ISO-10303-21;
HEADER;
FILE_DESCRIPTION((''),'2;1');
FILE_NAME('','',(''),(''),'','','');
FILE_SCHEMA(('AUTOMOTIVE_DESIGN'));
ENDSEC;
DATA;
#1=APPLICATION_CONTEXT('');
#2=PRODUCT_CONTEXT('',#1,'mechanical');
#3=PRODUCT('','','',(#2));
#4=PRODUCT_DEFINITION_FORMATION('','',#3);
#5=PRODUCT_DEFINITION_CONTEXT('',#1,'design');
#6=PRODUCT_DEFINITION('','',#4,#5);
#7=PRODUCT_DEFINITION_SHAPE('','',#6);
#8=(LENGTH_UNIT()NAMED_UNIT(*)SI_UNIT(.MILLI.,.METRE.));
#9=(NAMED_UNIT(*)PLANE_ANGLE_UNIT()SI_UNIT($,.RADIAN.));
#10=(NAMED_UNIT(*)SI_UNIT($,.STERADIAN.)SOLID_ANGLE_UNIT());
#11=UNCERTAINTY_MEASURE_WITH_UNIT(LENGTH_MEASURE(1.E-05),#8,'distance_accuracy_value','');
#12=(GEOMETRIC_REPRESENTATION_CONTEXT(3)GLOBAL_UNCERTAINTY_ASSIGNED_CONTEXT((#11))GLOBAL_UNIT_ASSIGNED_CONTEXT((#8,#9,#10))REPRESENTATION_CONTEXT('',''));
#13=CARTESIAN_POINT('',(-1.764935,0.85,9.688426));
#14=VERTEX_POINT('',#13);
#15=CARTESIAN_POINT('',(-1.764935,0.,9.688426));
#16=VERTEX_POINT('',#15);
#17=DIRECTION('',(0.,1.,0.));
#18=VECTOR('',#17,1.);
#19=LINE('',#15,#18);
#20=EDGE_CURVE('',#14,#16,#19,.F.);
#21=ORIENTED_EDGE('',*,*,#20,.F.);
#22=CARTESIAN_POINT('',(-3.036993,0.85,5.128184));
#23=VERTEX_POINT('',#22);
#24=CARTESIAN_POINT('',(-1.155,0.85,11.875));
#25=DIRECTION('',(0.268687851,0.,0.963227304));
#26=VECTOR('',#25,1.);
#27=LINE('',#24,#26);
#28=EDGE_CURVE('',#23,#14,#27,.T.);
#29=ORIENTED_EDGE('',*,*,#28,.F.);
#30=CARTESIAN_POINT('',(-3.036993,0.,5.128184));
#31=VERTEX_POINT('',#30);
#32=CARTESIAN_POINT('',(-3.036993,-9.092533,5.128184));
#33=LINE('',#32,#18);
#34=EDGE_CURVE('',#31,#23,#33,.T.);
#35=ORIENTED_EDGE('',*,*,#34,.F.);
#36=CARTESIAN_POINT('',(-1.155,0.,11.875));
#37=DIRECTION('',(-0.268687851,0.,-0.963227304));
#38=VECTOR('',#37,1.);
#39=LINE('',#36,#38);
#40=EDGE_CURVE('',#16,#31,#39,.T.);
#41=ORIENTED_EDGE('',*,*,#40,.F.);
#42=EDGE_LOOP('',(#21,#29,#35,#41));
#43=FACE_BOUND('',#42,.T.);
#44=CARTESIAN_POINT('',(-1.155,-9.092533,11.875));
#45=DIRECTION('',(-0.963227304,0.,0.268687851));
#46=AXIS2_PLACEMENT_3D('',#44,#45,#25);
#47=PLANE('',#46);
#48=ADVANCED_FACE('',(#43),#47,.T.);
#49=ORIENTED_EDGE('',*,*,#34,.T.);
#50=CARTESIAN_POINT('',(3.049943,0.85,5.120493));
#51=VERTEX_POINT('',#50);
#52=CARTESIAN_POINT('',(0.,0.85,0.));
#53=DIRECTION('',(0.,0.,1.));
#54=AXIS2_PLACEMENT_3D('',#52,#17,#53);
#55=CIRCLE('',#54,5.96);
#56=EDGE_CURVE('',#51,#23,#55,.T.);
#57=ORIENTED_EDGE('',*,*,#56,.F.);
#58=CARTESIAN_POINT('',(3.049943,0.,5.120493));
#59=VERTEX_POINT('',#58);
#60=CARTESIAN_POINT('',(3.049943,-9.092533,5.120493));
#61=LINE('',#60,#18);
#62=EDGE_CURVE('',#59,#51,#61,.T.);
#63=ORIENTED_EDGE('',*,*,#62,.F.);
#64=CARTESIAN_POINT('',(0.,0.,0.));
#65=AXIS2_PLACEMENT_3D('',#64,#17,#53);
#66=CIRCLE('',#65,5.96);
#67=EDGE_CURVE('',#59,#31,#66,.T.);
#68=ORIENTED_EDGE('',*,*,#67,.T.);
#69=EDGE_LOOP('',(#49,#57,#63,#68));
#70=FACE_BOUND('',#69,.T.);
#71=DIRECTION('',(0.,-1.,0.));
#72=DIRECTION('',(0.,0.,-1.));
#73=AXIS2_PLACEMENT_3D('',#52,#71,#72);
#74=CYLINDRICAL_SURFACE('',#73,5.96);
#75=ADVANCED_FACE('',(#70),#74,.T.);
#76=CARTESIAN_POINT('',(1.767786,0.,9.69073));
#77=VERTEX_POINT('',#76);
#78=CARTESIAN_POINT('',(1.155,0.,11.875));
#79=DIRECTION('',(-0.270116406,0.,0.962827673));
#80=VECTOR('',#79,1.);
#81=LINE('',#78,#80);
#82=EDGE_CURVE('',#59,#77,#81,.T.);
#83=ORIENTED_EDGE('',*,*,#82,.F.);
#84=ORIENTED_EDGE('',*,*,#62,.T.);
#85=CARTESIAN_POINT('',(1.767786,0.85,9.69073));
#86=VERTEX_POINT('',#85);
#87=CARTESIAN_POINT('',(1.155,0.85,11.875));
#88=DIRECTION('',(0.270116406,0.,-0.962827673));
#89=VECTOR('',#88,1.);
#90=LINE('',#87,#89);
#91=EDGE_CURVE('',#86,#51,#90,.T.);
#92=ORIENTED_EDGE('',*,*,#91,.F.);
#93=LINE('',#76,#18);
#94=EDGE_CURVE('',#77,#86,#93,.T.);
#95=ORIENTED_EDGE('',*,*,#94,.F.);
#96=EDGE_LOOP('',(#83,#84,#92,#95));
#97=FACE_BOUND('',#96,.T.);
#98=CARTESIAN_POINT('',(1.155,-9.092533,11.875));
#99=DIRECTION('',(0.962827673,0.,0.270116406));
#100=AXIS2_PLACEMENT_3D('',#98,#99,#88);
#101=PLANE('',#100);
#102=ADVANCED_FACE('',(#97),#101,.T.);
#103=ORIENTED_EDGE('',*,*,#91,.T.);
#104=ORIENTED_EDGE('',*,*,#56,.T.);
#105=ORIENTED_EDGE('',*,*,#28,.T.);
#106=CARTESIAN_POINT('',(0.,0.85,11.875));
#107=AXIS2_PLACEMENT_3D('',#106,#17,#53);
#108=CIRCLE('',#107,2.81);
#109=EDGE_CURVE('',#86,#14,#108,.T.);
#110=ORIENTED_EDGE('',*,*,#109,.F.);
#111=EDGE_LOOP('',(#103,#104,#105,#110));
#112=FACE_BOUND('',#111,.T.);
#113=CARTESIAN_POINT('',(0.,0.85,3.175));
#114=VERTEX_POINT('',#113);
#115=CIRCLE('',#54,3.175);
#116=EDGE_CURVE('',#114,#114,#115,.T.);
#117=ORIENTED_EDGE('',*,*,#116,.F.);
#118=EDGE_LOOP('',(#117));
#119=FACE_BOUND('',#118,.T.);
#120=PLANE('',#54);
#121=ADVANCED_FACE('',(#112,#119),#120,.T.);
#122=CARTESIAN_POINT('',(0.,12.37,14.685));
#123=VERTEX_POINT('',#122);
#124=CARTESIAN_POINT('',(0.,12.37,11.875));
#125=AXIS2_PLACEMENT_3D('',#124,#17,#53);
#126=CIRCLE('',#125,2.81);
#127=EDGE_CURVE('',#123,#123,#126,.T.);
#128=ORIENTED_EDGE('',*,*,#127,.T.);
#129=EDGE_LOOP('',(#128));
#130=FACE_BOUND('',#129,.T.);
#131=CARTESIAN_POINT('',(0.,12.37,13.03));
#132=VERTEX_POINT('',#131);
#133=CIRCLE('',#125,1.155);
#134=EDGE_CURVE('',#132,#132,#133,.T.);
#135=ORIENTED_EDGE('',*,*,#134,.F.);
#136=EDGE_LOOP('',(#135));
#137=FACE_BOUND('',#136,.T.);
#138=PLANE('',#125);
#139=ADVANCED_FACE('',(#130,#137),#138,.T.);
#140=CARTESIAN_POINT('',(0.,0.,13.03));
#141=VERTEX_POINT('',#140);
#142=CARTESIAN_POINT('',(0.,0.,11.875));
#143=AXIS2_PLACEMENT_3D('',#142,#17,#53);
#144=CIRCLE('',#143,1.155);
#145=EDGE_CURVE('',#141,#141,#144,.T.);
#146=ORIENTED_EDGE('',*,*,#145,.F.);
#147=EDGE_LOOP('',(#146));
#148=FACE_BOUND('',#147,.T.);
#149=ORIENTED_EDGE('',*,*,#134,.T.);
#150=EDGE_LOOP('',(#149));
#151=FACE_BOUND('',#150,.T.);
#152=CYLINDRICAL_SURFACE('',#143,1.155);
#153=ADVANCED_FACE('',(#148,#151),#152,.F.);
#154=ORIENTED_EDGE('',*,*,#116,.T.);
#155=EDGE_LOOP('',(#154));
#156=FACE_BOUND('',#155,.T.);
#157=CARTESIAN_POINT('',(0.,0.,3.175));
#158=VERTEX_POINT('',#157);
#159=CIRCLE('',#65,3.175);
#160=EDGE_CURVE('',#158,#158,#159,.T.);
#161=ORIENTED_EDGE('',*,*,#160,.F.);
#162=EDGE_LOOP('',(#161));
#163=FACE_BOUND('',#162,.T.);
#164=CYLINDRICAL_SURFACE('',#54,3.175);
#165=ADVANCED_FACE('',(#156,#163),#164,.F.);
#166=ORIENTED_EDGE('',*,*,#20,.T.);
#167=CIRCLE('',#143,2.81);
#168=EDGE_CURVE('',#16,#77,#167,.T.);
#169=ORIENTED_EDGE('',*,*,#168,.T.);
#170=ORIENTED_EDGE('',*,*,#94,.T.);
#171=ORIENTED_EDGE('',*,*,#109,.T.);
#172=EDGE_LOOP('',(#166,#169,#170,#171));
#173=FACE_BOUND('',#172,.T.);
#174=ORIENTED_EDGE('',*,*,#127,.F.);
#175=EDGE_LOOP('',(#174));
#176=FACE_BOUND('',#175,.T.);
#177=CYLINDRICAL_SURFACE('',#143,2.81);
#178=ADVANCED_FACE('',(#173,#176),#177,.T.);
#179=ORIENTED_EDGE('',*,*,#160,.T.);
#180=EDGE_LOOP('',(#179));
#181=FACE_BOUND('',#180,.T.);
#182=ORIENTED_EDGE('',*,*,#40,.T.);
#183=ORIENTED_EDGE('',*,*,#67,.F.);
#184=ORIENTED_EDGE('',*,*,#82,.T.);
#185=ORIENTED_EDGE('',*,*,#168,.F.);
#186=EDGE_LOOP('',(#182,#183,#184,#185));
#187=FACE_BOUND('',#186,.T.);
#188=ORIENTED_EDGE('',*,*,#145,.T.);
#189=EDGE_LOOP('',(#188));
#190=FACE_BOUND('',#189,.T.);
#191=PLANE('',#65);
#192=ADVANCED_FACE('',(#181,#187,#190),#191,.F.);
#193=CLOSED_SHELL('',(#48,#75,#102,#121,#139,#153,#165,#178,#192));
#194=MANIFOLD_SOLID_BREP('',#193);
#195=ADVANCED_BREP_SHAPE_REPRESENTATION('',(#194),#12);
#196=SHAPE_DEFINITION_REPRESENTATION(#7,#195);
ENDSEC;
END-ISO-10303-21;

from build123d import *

# Parameters (mm, degrees)
SKETCH1_R                       = 5.96
BOSS_EXTRUDE1_DEPTH             = 0.85
F_1_4_0_25_DIAMETER_HOLE1_D     = 6.35
F_1_4_0_25_DIAMETER_HOLE1_DEPTH = 0.85
SKETCH5_R                       = 2.81
SKETCH5_R_2                     = 1.155
BOSS_EXTRUDE2_DEPTH             = 11.52
BOSS_EXTRUDE2_DEPTH_BACK        = 0.85
BOSS_EXTRUDE3_DEPTH             = 0.85
SKETCH9_R                       = 1.155
CUT_EXTRUDE1_DEPTH              = 1.85


with BuildPart() as part:
    # Sketch1 → Boss-Extrude1 (new body)
    with BuildSketch(Plane(origin=(0, 0, 0), x_dir=(1, 0, 0), z_dir=(0, 1, 0))):
        Circle(SKETCH1_R)
    extrude(amount=BOSS_EXTRUDE1_DEPTH)

    # 1/4 (0.25) Diameter Hole1
    with Locations(Plane(origin=(0, 0.85, 0), x_dir=(1, 0, 0), z_dir=(0, 1, 0))):
        with Locations((0, 0)):
            Hole(F_1_4_0_25_DIAMETER_HOLE1_D / 2, depth=F_1_4_0_25_DIAMETER_HOLE1_DEPTH)



with BuildPart() as body_2:
    # Sketch5 → Boss-Extrude2 (new body, two sides)
    with BuildSketch(Plane(origin=(0, 0.85, 0), x_dir=(1, 0, 0), z_dir=(0, 1, 0))) as boss_extrude2_sk:
        with Locations((0, -11.875)):
            Circle(SKETCH5_R)
        with Locations((0, -11.875)):
            Circle(SKETCH5_R_2, mode=Mode.SUBTRACT)
    extrude(amount=BOSS_EXTRUDE2_DEPTH)
    extrude(boss_extrude2_sk.sketch, amount=-BOSS_EXTRUDE2_DEPTH_BACK)


with BuildPart() as part_1:
    add(part.part)

    add(body_2.part)  # Boss-Extrude3 merges body 2
    # Sketch6 → Boss-Extrude3 (add)
    with BuildSketch(Plane(origin=(0, 0.85, 0), x_dir=(1, 0, 0), z_dir=(0, 1, 0))):
        Polygon((-1.155, -11.875), (-3.036993485, -5.128183945), (3.04994253, -5.120493195), (1.155, -11.875), align=None)
    extrude(amount=-BOSS_EXTRUDE3_DEPTH)

    # Sketch9 → Cut-Extrude1 (cut, through all)
    with BuildSketch(Plane(origin=(0, 0.85, 0), x_dir=(1, 0, 0), z_dir=(0, 1, 0))):
        with Locations((0, -11.875)):
            Circle(SKETCH9_R)
    extrude(amount=-CUT_EXTRUDE1_DEPTH, mode=Mode.SUBTRACT)


solid = part_1.part
